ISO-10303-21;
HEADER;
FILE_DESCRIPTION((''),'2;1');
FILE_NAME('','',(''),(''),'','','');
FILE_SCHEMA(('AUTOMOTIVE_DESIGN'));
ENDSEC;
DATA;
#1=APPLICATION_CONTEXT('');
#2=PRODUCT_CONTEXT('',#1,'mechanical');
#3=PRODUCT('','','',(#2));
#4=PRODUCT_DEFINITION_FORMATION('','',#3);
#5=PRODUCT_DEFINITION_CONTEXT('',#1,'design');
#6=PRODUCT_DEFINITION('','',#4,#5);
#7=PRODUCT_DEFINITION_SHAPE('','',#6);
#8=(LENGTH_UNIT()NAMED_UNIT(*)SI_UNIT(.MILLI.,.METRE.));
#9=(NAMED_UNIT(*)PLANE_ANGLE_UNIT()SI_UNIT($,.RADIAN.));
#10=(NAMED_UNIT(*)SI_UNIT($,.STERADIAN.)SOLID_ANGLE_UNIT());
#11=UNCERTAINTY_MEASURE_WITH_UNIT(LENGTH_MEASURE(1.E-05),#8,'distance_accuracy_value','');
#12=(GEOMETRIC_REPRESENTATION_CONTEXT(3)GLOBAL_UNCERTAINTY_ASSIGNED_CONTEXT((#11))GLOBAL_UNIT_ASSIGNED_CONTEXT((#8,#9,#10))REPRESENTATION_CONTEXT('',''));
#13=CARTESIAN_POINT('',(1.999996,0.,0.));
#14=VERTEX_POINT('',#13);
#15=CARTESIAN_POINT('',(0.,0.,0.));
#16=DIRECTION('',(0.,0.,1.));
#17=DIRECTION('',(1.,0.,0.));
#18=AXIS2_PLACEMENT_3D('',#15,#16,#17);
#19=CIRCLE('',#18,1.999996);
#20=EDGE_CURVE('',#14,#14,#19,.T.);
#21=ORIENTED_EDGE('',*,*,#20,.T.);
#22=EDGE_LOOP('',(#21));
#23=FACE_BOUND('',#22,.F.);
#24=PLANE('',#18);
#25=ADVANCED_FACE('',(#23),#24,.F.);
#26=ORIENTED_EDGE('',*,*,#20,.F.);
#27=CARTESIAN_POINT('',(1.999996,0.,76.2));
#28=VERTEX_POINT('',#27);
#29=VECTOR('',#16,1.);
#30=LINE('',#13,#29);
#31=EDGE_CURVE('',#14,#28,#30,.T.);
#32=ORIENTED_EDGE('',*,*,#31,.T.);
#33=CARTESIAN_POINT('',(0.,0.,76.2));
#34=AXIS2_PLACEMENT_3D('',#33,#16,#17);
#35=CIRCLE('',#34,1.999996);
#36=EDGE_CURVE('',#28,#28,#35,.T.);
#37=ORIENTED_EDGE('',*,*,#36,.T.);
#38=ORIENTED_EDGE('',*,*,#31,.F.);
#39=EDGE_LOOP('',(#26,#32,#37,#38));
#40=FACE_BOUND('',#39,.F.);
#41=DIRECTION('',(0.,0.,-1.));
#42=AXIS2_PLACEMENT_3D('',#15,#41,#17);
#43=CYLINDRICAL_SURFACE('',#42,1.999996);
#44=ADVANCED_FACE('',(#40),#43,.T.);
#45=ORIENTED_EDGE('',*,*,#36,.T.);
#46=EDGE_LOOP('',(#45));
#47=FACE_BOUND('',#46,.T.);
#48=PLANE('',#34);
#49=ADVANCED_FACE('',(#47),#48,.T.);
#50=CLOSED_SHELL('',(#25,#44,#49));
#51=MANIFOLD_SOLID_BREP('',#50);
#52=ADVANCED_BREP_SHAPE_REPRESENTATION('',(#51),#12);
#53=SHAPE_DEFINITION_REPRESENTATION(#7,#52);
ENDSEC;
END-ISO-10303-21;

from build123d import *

# Parameters (mm, degrees)
F0_R     = 26.3604411939
F1_DEPTH = 100.000054
F3_R     = 1.999996
F4_DEPTH = 76.2


with BuildPart() as f1:
    # F0 (on Top) → F1 (new body)
    with BuildSketch(Plane.XY):
        Circle(F0_R)
    extrude(amount=F1_DEPTH)


with BuildPart() as f4:
    # F3 (on Top) → F4 (new body)
    with BuildSketch(Plane.XY):
        Circle(F3_R)
    extrude(amount=F4_DEPTH)


solid = f4.part
